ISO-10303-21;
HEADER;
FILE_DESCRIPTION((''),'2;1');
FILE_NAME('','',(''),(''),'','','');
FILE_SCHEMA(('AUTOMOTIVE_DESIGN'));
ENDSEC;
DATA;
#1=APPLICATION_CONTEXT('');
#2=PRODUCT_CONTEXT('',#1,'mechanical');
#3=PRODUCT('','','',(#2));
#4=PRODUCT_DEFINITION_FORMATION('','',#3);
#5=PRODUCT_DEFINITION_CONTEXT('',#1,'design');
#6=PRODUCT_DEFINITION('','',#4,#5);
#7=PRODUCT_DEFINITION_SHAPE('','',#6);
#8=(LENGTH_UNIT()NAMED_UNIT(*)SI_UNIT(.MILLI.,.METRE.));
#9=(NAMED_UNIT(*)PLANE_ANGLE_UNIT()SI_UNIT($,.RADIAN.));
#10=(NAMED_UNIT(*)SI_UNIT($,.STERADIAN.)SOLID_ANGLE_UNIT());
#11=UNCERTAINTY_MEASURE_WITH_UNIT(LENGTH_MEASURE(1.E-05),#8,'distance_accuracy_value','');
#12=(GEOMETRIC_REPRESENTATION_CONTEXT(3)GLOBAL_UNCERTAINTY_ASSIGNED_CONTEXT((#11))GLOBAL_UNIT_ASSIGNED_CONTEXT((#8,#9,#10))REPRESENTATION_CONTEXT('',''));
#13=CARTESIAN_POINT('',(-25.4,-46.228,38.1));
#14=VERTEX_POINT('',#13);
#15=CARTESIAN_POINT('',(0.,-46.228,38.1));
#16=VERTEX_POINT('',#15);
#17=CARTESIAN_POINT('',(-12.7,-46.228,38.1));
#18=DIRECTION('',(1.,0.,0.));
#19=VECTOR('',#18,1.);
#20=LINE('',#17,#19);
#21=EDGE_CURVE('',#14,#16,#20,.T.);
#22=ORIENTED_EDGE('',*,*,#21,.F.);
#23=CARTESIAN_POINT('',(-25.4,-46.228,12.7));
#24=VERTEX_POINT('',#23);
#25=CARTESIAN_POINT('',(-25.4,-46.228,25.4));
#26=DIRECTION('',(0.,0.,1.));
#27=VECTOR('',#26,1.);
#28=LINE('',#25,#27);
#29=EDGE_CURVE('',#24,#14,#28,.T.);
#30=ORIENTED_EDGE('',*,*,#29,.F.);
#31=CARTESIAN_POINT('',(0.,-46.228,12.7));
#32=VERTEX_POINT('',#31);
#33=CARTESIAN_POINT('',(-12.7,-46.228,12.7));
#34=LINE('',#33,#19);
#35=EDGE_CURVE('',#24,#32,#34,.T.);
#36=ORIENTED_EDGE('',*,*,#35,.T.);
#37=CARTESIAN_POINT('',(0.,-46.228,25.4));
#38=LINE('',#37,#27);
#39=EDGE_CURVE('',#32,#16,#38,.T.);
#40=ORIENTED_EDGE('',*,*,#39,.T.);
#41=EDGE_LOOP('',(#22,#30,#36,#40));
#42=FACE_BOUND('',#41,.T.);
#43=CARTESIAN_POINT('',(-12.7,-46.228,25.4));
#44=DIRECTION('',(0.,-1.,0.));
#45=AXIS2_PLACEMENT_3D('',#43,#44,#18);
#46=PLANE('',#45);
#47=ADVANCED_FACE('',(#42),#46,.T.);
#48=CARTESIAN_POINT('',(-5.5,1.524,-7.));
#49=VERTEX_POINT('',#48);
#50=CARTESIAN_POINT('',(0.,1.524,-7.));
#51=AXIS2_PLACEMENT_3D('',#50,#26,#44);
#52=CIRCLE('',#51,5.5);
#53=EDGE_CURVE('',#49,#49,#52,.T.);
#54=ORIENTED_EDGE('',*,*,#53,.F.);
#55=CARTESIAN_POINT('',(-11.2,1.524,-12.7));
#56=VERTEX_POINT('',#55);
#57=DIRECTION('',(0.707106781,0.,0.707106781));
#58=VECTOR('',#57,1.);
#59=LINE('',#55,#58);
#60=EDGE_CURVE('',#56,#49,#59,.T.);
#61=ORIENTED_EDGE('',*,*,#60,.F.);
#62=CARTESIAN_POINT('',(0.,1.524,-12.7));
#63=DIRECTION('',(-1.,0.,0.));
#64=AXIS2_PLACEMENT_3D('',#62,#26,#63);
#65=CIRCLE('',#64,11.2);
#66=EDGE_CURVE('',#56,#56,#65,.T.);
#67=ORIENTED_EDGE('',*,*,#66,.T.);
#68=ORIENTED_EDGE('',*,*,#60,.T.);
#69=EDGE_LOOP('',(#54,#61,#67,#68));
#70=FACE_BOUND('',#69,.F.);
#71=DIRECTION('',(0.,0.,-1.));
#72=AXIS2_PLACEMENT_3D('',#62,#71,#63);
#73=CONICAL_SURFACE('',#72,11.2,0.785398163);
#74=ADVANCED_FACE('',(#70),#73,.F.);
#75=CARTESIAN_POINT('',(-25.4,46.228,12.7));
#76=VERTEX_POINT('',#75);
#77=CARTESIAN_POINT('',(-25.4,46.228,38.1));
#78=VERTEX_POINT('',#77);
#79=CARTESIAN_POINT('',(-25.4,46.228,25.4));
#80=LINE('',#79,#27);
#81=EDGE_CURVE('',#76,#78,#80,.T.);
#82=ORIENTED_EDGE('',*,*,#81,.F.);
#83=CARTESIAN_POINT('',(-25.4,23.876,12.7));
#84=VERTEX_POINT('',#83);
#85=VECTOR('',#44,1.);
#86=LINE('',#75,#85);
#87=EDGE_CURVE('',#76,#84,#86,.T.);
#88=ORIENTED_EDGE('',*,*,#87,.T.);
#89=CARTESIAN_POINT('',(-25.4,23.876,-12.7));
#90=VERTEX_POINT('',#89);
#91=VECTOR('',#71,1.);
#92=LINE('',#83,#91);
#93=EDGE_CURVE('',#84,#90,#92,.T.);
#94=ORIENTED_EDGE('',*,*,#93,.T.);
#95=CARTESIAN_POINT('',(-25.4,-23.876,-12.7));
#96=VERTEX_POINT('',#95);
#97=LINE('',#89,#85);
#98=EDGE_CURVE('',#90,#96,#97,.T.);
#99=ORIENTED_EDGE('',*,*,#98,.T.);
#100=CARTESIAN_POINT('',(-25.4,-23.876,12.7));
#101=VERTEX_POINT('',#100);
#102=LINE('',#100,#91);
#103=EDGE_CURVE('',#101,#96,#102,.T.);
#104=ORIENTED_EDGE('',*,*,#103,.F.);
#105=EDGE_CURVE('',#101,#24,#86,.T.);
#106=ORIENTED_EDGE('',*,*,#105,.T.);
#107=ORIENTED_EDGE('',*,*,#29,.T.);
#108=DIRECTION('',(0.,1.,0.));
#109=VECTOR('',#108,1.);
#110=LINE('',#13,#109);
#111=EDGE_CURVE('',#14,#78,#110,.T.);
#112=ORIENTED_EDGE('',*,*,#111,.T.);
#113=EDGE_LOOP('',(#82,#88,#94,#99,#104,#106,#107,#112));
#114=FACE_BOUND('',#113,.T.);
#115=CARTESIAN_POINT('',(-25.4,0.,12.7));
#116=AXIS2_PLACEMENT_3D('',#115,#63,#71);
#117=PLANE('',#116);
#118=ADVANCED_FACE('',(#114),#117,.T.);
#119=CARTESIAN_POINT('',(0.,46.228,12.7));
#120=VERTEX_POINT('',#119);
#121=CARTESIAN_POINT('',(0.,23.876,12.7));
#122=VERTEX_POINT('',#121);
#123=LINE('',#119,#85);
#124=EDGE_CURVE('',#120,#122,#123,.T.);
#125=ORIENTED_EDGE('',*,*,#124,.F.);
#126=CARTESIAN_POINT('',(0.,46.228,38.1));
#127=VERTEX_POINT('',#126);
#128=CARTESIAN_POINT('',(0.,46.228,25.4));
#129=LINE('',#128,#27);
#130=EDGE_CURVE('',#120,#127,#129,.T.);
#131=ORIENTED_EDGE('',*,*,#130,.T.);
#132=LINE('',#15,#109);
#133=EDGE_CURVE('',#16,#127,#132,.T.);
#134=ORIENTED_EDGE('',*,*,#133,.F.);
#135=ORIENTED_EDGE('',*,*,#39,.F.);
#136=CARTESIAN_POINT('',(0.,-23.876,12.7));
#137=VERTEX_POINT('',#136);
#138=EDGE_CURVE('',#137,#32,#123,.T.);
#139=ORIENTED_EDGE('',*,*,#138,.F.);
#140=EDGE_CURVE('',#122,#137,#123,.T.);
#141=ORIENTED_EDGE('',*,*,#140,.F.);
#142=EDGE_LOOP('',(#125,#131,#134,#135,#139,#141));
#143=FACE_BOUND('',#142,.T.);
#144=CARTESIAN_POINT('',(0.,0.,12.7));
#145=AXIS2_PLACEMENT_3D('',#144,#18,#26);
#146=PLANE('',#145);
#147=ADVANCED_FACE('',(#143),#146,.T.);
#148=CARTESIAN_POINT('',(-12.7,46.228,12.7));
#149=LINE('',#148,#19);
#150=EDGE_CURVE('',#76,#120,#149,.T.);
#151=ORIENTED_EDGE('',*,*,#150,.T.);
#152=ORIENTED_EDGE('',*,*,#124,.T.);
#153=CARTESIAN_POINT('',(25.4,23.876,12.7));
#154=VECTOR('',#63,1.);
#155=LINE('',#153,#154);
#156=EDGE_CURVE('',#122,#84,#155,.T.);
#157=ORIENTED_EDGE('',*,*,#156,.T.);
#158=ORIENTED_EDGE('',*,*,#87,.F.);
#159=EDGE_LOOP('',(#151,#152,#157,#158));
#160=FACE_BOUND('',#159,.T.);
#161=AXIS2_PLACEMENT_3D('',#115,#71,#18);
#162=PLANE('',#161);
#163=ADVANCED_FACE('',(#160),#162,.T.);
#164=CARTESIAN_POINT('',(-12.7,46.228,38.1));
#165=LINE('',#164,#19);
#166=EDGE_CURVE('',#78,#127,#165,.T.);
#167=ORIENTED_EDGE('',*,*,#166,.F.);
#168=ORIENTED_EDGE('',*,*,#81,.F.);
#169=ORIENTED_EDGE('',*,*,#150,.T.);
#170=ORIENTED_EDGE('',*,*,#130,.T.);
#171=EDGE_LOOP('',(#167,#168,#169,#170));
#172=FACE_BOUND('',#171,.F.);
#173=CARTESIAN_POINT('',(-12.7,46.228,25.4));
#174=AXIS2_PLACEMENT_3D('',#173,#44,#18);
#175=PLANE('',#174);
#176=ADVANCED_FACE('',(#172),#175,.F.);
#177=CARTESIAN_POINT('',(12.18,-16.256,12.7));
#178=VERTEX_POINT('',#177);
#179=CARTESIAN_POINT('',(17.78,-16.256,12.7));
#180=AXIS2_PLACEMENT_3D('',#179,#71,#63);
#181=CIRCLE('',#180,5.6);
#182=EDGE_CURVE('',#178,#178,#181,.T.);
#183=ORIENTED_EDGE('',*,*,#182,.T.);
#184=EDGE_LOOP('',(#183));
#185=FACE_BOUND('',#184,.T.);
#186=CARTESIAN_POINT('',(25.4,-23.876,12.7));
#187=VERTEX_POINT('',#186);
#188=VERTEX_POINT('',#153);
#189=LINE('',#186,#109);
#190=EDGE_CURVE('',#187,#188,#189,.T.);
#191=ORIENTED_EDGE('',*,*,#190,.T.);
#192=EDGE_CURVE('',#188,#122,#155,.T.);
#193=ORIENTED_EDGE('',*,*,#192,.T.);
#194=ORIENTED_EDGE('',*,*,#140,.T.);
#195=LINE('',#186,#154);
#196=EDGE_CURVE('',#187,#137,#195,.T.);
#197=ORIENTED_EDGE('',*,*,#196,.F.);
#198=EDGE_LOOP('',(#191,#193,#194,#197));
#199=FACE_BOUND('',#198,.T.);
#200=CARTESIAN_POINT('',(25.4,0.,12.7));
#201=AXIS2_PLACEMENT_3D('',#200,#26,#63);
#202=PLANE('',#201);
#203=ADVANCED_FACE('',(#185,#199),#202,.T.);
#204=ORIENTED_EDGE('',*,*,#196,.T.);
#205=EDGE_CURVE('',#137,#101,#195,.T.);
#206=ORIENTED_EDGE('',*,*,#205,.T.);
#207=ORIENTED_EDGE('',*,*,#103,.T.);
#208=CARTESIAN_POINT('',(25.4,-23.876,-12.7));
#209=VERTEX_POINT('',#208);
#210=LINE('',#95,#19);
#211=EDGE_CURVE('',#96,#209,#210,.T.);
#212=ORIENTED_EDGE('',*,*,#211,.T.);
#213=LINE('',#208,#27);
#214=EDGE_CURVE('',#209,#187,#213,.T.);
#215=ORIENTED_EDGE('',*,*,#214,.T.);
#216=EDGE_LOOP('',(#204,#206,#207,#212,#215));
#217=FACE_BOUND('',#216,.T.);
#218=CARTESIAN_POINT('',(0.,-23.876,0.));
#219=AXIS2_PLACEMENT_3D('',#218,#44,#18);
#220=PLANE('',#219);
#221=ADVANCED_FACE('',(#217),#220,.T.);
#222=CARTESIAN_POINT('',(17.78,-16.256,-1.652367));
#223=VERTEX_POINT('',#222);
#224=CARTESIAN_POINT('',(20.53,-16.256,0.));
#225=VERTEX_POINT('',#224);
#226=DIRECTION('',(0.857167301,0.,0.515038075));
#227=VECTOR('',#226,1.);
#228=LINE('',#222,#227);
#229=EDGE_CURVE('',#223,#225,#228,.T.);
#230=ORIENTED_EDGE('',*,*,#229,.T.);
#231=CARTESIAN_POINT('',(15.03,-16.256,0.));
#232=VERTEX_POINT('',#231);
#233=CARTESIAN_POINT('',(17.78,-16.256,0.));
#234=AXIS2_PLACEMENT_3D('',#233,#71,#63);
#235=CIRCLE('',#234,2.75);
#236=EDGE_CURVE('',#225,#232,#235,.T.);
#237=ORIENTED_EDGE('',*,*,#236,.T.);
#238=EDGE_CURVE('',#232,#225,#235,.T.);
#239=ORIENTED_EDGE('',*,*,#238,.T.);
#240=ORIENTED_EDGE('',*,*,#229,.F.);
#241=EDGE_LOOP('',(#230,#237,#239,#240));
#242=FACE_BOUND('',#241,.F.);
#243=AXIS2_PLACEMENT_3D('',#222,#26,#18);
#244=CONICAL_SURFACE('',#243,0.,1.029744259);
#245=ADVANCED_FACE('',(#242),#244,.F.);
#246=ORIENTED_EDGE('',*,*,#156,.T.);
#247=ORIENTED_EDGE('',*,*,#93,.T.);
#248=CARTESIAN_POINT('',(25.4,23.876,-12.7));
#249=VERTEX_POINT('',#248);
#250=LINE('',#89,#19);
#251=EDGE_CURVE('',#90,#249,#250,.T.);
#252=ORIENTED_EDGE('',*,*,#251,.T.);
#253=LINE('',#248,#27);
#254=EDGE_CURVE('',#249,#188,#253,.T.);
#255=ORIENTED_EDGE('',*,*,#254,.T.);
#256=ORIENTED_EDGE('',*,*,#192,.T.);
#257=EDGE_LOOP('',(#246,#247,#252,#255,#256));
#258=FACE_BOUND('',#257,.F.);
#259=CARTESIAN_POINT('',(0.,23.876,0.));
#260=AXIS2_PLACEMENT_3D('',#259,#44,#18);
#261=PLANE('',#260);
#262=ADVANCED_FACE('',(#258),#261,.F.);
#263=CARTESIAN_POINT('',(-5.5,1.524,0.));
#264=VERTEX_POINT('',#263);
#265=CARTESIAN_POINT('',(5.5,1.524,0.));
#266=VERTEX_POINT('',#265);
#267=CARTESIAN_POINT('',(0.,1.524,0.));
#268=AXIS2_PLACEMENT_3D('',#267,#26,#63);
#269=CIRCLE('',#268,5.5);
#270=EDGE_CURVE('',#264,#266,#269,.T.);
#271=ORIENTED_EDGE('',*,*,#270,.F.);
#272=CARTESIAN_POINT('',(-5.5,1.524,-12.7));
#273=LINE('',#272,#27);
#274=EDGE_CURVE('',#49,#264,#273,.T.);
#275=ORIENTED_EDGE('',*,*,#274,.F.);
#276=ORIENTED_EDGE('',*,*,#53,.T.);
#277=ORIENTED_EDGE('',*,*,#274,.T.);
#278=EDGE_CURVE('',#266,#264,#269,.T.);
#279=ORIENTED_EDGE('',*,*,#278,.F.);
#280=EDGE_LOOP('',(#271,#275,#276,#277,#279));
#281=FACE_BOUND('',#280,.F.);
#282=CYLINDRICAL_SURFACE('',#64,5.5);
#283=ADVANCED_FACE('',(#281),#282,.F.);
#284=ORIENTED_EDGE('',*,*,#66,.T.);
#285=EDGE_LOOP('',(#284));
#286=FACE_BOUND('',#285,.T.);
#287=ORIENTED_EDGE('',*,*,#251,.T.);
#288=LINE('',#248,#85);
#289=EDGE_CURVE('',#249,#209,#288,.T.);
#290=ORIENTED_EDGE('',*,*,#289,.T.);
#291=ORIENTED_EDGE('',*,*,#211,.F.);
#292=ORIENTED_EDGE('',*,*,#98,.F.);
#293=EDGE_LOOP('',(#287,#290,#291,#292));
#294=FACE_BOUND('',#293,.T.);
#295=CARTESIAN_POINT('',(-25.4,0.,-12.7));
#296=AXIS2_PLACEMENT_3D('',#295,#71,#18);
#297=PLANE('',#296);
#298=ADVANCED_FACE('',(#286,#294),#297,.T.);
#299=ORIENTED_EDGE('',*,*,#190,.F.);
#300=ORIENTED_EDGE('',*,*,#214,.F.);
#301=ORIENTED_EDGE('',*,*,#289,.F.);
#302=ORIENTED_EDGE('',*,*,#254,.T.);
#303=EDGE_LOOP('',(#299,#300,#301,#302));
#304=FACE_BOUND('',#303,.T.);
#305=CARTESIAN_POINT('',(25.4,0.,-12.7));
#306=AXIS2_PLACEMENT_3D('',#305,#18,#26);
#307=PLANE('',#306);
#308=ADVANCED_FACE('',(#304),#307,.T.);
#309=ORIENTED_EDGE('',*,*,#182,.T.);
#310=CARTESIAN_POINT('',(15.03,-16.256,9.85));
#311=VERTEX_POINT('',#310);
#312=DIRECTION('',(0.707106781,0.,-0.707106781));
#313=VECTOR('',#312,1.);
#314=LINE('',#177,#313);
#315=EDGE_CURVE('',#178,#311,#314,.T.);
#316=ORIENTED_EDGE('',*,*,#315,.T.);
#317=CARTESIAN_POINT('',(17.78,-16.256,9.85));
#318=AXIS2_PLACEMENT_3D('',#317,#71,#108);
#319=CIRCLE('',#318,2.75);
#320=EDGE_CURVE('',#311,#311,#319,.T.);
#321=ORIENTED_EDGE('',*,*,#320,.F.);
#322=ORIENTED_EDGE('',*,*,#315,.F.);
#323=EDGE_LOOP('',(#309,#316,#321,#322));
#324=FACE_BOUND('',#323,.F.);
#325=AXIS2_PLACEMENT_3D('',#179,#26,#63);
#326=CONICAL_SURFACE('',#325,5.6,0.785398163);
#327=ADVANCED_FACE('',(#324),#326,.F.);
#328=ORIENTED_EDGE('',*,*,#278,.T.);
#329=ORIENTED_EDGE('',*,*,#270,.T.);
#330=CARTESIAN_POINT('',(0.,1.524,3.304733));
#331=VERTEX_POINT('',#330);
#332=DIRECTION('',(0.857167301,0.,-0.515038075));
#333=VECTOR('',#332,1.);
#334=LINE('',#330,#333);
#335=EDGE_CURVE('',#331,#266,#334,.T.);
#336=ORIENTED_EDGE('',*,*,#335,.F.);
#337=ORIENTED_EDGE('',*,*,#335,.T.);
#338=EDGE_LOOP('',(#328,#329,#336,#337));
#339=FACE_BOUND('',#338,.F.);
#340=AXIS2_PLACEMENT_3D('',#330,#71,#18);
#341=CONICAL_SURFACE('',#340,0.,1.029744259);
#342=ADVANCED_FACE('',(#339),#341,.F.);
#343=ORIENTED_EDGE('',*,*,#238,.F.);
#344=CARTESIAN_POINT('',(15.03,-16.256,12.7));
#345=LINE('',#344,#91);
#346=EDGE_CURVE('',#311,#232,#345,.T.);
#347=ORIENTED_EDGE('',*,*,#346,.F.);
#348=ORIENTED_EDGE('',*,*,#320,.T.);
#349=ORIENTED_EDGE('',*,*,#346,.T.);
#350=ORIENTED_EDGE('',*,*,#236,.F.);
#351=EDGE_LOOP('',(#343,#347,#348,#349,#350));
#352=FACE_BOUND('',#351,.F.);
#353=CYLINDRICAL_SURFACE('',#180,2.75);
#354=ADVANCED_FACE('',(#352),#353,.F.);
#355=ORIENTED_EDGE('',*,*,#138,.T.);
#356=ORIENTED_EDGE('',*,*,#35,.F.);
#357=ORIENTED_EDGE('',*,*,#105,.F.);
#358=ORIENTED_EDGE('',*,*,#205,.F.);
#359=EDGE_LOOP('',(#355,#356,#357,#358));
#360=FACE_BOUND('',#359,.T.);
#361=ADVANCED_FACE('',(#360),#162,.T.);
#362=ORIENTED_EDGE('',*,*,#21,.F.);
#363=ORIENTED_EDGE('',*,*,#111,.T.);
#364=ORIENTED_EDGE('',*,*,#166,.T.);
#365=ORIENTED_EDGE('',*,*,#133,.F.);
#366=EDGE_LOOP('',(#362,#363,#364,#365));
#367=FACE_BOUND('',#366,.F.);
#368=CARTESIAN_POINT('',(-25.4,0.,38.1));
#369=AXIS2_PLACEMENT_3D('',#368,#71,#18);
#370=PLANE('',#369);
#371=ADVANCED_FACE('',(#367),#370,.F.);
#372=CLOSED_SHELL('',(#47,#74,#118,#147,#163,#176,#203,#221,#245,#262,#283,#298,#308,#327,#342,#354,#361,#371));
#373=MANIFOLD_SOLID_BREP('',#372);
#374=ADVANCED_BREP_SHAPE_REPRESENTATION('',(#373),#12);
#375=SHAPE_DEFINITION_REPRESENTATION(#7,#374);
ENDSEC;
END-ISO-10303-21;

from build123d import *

# Parameters (mm, degrees)
F1_W           = 25.4
F1_H           = 25.4
F3_DEPTH       = 46.228
F4_DEPTH       = 23.876
F6_D           = 11
F6_DEPTH       = 12.7
F6_CSINK_D     = 22.4
F6_CSINK_ANGLE = 90
F6_TIP         = 3.3047334047
F8_D           = 5.5
F8_DEPTH       = 12.7
F8_CSINK_D     = 11.2
F8_CSINK_ANGLE = 90
F8_TIP         = 1.6523667023


with BuildPart() as f3:
    # F1 (on face) → F3 (new body, symmetric)
    with BuildSketch(Plane.XZ):
        with Locations((-12.7, 25.4)):
            Rectangle(F1_W, F1_H)
    extrude(amount=F3_DEPTH, both=True)

    # F2 (on face) → F4 (join, symmetric)
    with BuildSketch(Plane.XZ):
        Polygon((0, 12.7), (-25.4, 12.7), (-25.4, -12.7), (25.4, -12.7), (25.4, 12.7), align=None)
    extrude(amount=F4_DEPTH, both=True)

    # F6
    with Locations(Plane(origin=(0, 0, -12.7), x_dir=(1, 0, 0), z_dir=(0, 0, -1))):
        with Locations((0, -1.524)):
            CounterSinkHole(F6_D / 2, F6_CSINK_D / 2, depth=F6_DEPTH, counter_sink_angle=F6_CSINK_ANGLE)
            with Locations((0, 0, -(F6_DEPTH + F6_TIP / 2))):  # 118° drill point
                Cone(0, F6_D / 2, F6_TIP, mode=Mode.SUBTRACT)

    # F8
    with Locations(Plane.XY.offset(12.7)):
        with Locations((17.78, -16.256)):
            CounterSinkHole(F8_D / 2, F8_CSINK_D / 2, depth=F8_DEPTH, counter_sink_angle=F8_CSINK_ANGLE)
            with Locations((0, 0, -(F8_DEPTH + F8_TIP / 2))):  # 118° drill point
                Cone(0, F8_D / 2, F8_TIP, mode=Mode.SUBTRACT)


solid = f3.part
